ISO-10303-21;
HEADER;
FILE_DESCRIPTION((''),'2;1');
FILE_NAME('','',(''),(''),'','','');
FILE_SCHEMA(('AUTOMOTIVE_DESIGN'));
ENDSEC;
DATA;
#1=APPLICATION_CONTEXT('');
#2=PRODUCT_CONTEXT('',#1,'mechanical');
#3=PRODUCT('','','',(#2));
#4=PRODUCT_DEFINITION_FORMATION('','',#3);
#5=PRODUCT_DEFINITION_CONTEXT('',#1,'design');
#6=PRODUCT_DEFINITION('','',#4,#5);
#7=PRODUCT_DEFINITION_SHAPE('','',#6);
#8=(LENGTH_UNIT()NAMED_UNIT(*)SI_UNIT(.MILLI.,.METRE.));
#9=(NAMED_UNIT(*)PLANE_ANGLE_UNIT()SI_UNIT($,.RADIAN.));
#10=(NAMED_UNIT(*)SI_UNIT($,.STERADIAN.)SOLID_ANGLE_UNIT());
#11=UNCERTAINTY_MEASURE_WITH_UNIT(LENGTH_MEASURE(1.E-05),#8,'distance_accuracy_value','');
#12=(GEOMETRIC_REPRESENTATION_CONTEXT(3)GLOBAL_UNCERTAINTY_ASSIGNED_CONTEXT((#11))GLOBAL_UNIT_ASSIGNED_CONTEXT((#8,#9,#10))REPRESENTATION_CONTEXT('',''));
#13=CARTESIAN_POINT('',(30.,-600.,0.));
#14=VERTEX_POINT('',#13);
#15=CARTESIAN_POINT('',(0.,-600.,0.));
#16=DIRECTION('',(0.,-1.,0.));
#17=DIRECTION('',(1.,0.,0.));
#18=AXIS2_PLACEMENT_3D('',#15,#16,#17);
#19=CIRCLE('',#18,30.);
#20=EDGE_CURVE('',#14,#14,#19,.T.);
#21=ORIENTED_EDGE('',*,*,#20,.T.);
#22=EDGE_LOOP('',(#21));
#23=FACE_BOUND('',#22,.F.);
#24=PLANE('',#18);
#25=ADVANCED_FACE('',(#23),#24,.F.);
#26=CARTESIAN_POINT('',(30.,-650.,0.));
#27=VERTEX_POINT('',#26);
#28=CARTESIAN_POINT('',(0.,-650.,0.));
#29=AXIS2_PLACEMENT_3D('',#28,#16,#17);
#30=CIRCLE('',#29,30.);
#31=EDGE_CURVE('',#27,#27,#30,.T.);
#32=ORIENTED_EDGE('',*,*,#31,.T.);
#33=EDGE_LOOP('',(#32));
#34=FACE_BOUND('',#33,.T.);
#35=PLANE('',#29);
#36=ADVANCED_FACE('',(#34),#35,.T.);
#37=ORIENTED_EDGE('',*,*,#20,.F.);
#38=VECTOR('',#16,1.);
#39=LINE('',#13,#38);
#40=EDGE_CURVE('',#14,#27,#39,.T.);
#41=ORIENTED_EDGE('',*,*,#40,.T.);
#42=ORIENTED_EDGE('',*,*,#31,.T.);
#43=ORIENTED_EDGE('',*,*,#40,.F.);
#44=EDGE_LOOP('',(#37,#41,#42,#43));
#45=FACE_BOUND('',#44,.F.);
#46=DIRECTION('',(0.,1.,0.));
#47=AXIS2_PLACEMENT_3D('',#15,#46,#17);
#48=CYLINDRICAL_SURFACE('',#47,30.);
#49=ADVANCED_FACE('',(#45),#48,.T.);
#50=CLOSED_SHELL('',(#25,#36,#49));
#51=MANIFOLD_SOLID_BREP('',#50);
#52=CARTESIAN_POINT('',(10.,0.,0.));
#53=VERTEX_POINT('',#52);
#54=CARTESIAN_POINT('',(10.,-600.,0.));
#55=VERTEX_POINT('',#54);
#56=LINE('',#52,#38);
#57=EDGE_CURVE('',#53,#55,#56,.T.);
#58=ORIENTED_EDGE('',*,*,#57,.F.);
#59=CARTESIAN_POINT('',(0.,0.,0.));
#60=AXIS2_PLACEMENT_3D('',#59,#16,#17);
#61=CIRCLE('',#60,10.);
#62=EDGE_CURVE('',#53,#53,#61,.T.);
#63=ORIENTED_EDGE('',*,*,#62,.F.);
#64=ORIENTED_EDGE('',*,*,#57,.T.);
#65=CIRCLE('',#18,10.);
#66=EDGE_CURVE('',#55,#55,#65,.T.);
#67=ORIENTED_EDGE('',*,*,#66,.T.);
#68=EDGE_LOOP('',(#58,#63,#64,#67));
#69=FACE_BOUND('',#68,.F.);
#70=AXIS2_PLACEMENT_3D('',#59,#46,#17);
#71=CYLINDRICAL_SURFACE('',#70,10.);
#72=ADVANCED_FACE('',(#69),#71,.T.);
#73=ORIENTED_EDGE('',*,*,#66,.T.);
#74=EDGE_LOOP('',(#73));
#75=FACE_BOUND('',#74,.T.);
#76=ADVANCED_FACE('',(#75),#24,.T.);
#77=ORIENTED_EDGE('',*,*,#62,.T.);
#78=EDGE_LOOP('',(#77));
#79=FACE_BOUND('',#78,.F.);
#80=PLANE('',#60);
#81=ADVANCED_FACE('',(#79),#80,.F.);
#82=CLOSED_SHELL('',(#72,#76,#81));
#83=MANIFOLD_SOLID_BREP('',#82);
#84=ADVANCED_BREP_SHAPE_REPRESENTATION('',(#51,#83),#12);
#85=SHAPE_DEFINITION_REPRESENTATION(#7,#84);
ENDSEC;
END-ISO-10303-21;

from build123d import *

# Parameters (mm, degrees)
F0_R     = 10
F1_DEPTH = 600
F2_R     = 30
F3_DEPTH = 50


with BuildPart() as f1:
    # F0 (on Front) → F1 (new body)
    with BuildSketch(Plane.XZ):
        Circle(F0_R)
    extrude(amount=F1_DEPTH)


with BuildPart() as f3:
    # F2 (on face) → F3 (new body)
    with BuildSketch(Plane.XZ.offset(600)):
        Circle(F2_R)
    extrude(amount=F3_DEPTH)


solid = Compound([f1.part, f3.part])
